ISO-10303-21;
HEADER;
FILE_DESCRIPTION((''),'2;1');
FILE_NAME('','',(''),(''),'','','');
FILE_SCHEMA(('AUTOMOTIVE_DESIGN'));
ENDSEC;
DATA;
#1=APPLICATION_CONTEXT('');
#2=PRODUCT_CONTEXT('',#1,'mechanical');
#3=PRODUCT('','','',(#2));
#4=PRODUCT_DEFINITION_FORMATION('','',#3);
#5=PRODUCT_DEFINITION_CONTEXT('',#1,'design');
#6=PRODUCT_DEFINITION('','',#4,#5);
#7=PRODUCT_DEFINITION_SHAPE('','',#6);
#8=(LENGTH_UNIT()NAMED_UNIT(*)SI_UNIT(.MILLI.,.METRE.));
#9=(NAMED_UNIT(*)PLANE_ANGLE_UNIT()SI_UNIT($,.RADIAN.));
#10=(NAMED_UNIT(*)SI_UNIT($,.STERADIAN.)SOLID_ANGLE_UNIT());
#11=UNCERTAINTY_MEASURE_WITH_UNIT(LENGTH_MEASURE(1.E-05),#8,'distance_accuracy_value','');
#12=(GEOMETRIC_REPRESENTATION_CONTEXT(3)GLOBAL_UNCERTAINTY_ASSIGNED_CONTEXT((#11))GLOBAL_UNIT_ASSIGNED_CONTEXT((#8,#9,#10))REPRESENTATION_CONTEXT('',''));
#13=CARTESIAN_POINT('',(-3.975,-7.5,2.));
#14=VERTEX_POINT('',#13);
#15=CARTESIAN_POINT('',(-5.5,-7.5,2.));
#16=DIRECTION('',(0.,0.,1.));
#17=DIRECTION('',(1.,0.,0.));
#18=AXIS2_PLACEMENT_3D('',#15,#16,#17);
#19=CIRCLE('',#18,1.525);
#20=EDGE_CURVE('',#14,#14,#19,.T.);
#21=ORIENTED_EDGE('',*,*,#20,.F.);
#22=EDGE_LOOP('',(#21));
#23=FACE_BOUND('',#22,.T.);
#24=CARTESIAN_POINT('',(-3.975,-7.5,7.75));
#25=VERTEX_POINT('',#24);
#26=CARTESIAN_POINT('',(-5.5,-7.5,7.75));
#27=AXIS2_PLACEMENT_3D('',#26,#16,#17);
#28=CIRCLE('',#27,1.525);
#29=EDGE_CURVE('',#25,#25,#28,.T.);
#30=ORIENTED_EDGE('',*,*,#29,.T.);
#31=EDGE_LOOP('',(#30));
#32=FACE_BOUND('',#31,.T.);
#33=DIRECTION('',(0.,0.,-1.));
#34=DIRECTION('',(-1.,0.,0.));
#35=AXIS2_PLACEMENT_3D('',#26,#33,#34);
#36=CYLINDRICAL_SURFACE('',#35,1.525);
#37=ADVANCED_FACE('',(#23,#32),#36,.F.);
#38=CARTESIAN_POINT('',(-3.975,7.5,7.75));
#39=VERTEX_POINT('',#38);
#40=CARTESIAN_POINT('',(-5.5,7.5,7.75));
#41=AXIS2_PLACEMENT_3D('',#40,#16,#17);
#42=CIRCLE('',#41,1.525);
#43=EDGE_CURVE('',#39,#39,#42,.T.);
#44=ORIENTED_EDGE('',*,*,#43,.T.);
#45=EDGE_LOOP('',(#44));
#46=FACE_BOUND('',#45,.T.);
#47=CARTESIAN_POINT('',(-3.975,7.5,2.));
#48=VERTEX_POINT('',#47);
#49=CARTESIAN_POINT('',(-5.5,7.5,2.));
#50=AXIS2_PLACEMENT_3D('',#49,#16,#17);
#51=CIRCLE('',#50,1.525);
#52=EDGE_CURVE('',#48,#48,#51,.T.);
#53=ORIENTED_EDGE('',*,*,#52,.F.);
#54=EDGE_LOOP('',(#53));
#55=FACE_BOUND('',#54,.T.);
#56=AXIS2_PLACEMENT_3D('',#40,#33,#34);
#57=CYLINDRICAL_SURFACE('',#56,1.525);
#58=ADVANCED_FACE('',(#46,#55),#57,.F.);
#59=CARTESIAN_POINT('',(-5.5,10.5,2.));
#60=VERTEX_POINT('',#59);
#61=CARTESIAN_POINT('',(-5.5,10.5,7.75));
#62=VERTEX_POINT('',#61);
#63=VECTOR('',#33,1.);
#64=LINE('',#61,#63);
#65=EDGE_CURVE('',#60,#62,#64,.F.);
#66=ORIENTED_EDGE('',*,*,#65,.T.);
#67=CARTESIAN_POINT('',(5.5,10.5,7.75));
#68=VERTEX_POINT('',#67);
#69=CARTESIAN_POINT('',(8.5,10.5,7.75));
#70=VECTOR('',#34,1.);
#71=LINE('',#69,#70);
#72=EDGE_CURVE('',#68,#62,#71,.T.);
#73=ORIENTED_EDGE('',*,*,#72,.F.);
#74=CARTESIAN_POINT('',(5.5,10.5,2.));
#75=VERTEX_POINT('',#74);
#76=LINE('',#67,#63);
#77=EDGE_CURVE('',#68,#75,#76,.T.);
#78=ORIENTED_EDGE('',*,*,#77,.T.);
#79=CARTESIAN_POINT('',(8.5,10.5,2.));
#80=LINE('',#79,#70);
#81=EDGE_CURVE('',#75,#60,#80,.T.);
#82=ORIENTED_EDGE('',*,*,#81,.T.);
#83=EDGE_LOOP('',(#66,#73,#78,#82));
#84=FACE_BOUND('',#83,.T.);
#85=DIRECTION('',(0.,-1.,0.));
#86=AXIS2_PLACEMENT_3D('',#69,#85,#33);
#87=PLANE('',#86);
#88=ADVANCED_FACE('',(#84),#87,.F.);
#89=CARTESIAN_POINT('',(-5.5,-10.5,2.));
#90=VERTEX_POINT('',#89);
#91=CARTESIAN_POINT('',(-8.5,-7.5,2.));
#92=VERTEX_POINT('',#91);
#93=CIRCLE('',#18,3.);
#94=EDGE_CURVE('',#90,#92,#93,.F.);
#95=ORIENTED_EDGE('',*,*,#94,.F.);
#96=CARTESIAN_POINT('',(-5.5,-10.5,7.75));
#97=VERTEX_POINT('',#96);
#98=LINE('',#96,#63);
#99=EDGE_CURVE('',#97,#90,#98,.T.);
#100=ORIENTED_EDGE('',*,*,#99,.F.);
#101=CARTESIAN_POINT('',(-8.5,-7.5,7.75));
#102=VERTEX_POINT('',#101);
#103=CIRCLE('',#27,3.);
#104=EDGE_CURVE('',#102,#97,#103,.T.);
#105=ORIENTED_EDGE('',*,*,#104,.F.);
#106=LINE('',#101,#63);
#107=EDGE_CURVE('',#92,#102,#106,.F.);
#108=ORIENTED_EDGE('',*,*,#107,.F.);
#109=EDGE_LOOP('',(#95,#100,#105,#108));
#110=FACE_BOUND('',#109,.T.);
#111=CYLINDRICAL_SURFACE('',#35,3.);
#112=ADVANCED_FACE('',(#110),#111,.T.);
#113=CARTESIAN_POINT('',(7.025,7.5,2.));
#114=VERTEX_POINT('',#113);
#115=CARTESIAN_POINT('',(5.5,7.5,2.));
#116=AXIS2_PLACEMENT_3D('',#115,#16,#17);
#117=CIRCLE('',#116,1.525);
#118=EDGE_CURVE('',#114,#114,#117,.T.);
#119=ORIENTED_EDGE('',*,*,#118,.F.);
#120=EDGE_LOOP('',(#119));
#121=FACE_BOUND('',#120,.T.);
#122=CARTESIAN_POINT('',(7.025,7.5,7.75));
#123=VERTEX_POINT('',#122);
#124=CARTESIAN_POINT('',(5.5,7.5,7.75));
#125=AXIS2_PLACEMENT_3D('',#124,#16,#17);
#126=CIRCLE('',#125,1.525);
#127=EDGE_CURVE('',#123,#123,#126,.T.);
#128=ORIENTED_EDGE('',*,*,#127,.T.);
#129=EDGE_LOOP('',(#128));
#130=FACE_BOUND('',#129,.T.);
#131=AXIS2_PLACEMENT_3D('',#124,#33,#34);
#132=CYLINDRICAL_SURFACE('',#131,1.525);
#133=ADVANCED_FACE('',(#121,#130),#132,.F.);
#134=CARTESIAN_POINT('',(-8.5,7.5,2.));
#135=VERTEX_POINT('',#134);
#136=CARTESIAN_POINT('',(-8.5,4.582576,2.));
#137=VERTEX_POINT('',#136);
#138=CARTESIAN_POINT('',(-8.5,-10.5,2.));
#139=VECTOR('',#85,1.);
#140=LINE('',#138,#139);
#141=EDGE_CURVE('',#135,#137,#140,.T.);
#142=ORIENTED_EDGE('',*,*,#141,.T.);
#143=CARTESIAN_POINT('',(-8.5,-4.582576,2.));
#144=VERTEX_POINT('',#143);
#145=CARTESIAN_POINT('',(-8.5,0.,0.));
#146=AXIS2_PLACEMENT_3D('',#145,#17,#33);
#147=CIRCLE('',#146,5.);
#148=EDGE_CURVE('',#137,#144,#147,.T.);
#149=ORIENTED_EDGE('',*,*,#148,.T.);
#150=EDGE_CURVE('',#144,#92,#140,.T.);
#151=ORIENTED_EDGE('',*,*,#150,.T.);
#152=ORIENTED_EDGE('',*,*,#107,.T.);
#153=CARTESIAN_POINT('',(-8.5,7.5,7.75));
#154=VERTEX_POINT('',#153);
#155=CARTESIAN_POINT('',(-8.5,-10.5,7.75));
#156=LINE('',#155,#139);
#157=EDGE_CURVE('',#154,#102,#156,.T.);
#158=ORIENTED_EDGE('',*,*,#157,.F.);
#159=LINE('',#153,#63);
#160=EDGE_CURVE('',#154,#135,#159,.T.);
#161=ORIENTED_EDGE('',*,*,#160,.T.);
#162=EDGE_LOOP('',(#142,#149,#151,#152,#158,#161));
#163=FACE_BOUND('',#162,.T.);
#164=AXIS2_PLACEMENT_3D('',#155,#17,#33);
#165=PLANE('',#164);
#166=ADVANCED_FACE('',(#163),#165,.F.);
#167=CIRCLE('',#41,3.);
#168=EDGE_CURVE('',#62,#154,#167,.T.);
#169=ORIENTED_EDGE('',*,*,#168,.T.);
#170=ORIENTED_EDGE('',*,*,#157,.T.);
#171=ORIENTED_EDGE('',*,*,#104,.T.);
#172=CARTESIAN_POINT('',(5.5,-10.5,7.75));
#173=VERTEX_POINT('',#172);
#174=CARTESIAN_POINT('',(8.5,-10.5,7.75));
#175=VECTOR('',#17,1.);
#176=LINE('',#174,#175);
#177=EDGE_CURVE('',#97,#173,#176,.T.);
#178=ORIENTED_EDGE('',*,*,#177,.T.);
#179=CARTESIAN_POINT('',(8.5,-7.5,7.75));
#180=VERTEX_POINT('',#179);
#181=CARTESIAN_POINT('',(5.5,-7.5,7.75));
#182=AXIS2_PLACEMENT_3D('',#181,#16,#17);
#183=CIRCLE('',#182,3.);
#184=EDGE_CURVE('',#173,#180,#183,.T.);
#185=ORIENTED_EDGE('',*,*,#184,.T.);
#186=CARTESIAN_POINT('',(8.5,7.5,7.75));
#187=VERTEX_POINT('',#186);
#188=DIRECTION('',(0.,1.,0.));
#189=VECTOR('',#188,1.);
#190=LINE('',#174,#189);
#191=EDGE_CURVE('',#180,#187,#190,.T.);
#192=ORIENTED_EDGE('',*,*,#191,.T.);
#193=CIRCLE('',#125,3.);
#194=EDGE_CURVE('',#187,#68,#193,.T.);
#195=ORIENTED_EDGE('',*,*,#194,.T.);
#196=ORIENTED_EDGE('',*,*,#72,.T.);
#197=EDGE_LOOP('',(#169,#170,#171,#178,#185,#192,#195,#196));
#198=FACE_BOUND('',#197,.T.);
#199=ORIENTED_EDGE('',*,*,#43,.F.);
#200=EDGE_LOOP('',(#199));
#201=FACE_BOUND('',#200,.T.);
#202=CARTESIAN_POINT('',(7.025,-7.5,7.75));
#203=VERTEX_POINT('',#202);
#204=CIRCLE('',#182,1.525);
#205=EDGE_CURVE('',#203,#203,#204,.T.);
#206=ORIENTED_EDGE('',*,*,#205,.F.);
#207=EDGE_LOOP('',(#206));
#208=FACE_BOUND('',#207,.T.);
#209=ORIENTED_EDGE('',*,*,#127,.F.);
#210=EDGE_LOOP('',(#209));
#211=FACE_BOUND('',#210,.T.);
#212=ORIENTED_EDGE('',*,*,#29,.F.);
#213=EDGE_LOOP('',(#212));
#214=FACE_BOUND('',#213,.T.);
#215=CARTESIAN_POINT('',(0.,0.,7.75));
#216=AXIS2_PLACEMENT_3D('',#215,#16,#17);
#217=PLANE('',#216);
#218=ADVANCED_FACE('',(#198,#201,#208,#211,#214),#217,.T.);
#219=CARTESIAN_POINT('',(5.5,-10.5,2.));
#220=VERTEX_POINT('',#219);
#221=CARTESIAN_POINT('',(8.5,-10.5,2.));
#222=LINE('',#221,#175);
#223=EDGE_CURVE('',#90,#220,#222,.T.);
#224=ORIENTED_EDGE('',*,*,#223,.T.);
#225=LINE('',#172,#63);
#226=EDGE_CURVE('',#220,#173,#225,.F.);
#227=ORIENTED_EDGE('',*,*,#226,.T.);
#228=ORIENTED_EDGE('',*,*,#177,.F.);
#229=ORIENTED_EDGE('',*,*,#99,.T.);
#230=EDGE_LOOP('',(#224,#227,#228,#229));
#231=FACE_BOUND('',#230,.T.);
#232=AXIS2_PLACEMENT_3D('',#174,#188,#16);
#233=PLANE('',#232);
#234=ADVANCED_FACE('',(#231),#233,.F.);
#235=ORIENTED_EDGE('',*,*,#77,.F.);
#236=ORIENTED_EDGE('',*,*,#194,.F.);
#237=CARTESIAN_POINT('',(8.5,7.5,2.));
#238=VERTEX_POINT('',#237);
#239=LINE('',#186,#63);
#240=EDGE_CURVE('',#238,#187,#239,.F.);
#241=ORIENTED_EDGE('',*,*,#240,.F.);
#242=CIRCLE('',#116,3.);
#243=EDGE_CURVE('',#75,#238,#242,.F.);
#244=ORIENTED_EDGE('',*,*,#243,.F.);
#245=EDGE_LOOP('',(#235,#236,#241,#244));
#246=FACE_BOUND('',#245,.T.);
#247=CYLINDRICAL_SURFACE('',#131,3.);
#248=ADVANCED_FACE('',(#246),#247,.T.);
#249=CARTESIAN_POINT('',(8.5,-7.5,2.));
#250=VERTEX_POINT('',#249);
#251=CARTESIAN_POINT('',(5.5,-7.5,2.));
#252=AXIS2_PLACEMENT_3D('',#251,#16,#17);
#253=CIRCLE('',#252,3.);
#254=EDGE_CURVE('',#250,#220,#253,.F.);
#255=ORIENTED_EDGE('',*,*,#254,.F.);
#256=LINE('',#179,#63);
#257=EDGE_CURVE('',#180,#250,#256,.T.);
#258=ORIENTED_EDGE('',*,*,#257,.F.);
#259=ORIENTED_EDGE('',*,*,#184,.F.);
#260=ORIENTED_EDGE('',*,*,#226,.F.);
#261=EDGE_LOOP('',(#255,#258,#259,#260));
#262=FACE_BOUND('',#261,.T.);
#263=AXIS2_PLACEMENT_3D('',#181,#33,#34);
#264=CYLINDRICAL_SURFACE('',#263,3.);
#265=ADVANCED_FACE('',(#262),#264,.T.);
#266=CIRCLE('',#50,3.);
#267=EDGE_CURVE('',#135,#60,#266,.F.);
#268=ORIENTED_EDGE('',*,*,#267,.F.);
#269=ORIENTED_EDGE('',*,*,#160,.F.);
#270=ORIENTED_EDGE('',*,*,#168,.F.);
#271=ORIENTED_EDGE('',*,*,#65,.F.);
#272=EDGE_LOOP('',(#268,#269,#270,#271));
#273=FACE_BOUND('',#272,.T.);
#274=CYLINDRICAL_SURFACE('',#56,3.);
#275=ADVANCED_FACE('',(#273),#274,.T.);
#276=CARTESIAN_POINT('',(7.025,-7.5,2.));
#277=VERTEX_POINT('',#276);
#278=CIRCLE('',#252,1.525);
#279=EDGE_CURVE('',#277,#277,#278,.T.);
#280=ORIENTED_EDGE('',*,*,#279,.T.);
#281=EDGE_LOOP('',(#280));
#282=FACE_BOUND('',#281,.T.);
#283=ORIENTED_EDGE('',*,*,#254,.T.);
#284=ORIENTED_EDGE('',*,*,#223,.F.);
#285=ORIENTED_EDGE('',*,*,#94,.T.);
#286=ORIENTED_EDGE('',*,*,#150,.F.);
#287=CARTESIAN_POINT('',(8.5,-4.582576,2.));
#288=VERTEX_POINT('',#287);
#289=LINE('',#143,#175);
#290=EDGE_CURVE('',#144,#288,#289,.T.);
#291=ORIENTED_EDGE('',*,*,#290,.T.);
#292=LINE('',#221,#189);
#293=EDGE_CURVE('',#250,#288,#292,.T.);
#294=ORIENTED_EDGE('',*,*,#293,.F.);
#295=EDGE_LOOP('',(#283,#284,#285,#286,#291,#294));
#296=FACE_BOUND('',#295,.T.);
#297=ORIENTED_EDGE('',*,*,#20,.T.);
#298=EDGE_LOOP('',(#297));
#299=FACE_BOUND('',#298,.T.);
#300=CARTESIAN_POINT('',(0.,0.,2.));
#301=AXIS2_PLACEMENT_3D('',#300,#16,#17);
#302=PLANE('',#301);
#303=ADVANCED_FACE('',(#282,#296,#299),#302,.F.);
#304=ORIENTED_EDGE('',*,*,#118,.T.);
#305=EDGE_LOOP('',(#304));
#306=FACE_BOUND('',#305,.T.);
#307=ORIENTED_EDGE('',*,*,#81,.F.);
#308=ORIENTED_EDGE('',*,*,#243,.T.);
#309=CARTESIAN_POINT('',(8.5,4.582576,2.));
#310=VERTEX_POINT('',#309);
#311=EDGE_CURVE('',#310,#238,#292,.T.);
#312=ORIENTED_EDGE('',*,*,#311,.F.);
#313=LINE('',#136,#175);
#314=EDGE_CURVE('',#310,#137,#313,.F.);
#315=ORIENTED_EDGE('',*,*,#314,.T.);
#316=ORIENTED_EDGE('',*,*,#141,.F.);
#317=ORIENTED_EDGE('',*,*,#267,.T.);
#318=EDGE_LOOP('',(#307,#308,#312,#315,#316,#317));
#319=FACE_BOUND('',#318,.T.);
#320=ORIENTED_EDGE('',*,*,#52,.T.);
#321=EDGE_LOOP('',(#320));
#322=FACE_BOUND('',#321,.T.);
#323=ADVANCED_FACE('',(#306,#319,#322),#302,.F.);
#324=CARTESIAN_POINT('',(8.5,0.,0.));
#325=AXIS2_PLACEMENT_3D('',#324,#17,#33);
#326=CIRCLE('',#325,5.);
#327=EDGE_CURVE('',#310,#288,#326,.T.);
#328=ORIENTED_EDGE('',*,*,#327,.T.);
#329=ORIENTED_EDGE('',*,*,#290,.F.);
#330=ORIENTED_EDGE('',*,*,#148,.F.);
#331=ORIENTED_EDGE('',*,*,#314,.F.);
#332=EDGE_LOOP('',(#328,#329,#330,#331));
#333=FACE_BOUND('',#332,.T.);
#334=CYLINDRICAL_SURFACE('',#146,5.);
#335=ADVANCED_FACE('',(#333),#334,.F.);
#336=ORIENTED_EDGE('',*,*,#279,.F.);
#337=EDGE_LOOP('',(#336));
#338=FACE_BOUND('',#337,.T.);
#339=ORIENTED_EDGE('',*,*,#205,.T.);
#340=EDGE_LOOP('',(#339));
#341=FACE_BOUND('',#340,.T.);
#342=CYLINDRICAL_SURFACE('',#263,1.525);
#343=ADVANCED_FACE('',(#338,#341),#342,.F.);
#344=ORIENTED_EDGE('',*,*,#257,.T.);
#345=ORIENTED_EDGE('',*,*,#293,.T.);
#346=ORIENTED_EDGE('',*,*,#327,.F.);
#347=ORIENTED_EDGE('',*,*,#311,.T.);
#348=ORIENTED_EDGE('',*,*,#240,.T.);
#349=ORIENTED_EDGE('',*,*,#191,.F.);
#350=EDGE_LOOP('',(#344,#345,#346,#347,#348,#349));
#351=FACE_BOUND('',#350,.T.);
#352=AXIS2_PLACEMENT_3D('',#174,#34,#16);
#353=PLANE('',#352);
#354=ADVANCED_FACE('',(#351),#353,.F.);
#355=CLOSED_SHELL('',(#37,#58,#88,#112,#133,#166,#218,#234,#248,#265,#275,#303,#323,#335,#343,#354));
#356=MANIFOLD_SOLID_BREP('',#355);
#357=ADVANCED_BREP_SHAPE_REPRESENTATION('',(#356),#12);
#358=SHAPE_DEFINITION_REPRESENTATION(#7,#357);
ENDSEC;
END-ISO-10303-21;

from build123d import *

# Parameters (mm, degrees)
EXTRUDE_START       = 2
SKETCH_1_W          = 17
SKETCH_1_H          = 21
SKETCH_1_R          = 1.525
EXTRUDE_1_DEPTH     = 5.75
SKETCH_2_R          = 5
CUT_EXTRUDE_2_DEPTH = 22.43157717
FILLET_1_R          = 3


with BuildPart() as part:
    # 草图1 → 凸台-拉伸1 (new body)
    with BuildSketch(Plane.XY.offset(EXTRUDE_START)):
        Rectangle(SKETCH_1_W, SKETCH_1_H)
        with Locations((-5.5, 7.5)):
            Circle(SKETCH_1_R, mode=Mode.SUBTRACT)
        with Locations((5.5, 7.5)):
            Circle(SKETCH_1_R, mode=Mode.SUBTRACT)
        with Locations((5.5, -7.5)):
            Circle(SKETCH_1_R, mode=Mode.SUBTRACT)
        with Locations((-5.5, -7.5)):
            Circle(SKETCH_1_R, mode=Mode.SUBTRACT)
    extrude(amount=EXTRUDE_1_DEPTH)

    # 草图2 → 切除-拉伸2 (cut, through all)
    with BuildSketch(Plane(origin=(8.5, 0, 0), x_dir=(0, 0, -1), z_dir=(1, 0, 0))):
        Circle(SKETCH_2_R)
    extrude(amount=-CUT_EXTRUDE_2_DEPTH, mode=Mode.SUBTRACT)

    # 圆角1
    fillet_1_edges = [part.edges().sort_by_distance(p)[0] for p in [
        (-8.5, 10.5, 4.875),
        (8.5, 10.5, 4.875),
        (8.5, -10.5, 4.875),
        (-8.5, -10.5, 4.875),
    ]]
    fillet(fillet_1_edges, radius=FILLET_1_R)


solid = part.part
